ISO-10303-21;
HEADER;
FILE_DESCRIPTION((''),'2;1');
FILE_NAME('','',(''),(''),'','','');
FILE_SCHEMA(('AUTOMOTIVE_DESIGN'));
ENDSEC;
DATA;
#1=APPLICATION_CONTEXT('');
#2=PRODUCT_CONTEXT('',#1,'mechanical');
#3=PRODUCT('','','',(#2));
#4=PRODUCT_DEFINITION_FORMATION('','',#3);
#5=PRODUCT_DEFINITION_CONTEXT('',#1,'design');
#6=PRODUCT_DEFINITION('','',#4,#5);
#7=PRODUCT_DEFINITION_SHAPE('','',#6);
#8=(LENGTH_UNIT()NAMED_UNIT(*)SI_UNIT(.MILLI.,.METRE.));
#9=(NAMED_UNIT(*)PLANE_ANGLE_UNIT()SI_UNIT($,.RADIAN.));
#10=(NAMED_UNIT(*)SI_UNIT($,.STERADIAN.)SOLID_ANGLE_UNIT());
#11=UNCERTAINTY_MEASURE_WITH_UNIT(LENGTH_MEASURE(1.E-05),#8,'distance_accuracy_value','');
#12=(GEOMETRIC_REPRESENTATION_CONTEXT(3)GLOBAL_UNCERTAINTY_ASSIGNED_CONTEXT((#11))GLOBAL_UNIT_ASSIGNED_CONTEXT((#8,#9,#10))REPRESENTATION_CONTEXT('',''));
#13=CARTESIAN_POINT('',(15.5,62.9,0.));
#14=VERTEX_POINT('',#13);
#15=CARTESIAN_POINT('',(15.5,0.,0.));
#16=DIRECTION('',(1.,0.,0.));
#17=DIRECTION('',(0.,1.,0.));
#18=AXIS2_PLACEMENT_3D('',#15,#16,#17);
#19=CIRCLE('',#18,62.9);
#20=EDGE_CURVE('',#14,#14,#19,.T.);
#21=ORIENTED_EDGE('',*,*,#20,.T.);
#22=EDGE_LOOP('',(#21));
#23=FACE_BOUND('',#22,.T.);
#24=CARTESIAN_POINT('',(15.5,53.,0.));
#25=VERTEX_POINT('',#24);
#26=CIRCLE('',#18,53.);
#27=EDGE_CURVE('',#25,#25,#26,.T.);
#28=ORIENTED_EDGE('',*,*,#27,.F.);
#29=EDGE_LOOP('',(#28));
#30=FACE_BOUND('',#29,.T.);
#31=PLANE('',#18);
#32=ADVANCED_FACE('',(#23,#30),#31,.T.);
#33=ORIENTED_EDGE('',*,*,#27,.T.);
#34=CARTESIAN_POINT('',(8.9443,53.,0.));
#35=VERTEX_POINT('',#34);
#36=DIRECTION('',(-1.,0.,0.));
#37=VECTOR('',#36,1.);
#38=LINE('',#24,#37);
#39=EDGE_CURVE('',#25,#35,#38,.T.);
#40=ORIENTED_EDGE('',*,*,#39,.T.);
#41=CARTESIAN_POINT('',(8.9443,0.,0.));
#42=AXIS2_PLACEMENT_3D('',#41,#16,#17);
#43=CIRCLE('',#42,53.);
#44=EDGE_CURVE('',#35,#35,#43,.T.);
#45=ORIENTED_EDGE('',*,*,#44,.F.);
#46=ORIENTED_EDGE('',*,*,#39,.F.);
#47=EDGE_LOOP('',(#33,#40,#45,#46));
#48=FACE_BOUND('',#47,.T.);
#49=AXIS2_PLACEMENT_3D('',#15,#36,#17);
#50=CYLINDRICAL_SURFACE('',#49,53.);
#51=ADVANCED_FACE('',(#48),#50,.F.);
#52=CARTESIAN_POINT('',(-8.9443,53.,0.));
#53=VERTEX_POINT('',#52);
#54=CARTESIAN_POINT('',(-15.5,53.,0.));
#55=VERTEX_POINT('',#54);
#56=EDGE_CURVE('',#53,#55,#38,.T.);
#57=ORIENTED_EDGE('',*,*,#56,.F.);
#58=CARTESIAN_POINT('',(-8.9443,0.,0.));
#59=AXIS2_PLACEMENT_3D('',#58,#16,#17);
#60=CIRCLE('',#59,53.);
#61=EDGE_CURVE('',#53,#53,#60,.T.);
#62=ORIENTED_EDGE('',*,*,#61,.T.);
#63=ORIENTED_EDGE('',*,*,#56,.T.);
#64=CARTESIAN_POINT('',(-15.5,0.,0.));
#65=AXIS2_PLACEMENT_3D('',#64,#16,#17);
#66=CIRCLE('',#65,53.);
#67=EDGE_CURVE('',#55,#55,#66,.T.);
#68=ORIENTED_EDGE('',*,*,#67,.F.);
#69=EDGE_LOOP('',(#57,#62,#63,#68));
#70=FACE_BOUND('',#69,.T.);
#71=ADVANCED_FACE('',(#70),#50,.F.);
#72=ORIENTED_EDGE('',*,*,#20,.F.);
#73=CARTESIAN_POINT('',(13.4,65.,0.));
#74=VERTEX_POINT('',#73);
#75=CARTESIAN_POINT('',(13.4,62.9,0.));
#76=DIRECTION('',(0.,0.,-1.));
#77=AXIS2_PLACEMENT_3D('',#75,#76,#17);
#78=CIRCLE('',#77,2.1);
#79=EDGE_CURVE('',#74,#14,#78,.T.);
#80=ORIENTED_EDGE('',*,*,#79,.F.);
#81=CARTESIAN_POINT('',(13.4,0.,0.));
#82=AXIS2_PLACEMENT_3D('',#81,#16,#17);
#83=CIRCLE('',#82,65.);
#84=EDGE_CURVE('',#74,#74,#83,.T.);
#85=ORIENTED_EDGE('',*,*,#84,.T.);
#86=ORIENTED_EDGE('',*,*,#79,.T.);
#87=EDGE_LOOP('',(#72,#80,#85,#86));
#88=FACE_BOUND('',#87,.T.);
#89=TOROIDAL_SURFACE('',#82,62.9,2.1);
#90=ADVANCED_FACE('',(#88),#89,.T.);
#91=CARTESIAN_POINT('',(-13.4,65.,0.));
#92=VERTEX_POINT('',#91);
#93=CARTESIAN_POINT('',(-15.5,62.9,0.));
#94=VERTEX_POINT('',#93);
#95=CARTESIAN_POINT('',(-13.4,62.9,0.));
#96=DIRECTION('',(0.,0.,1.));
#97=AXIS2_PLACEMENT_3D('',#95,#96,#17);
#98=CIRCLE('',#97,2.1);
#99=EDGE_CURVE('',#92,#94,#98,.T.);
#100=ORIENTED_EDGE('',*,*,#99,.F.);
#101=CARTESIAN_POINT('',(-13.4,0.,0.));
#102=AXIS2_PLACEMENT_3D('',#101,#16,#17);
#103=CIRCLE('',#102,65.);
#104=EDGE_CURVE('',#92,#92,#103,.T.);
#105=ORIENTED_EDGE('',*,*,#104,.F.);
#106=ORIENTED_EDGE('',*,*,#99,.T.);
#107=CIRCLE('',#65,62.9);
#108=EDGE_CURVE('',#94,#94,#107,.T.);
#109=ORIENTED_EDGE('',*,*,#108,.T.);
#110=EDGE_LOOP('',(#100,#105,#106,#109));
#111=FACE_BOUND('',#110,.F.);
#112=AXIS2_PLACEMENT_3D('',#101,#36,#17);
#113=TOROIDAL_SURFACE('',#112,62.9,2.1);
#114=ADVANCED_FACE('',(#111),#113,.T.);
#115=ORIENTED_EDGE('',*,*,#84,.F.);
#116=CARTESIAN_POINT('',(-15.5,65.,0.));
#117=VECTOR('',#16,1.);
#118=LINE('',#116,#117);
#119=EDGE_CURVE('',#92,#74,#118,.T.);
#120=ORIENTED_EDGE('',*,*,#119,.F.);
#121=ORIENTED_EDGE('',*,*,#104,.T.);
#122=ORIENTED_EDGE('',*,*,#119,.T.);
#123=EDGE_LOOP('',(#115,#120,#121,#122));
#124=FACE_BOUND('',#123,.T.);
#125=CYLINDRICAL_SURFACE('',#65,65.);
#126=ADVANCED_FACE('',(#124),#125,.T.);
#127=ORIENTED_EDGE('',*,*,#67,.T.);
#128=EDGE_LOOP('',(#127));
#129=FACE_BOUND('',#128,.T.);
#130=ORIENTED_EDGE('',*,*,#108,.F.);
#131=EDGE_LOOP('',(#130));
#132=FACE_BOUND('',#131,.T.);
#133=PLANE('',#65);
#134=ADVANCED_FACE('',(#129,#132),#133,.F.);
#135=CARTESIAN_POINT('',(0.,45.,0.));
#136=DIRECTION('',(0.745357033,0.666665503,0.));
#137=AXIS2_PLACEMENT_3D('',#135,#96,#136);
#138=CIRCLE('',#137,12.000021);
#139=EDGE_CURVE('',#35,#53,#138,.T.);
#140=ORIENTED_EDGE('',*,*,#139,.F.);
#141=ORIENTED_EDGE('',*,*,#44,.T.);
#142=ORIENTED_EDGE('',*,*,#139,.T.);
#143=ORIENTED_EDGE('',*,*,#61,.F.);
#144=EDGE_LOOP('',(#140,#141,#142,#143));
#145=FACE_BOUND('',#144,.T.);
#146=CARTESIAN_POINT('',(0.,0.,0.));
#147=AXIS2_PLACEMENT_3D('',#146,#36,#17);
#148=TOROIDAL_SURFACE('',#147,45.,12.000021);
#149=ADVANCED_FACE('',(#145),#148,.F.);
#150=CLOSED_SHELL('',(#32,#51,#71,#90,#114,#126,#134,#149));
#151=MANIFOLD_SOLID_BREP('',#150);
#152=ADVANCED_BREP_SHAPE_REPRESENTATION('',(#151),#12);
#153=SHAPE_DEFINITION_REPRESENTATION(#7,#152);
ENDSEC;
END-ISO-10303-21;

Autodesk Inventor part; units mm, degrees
ref_plane "YZ Plane" through (0, 0, 0) normal (1, 0, 0) x (0, 1, 0)
ref_plane "XZ Plane" through (0, 0, 0) normal (0, 1, 0) x (-1, 0, 0)
ref_plane "XY Plane" through (0, 0, 0) normal (0, 0, 1) x (1, 0, 0)
sketch "Sketch1" plane through (0, 0, 0) normal (0, 0, 1) x (1, 0, 0)
  line L0 (-15.5, 65) -> (15.5, 65)
  line L1 (15.5, 65) -> (15.5, 53)
  line L2 (15.5, 53) -> (-15.5, 53)
  line L3 (-15.5, 53) -> (-15.5, 65)
  arc A0 (8.9443, 53) -> (-8.9443, 53) centre (0, 45) ccw
  line L4 (-21.7, 0) -> (21.7, 0) projected
  point P0 (0, 0)
  dimension "d0" = 31
  dimension "d1" = 12
  dimension "d2" = 53
  dimension "d3" = 15.5
  dimension "d4" = 8
  dimension "d5" = 12
revolve "Revolution" add sketch "Sketch1" angle 360 about axis through (-10, 0, 0) along (1, 0, 0) contours L0 L1 L2 A0 L3
fillet "Fillet1" radius 2.1 2 edges at (15.5, -65, 0) (-15.5, -65, 0)
properties part number "Outer Ring"
